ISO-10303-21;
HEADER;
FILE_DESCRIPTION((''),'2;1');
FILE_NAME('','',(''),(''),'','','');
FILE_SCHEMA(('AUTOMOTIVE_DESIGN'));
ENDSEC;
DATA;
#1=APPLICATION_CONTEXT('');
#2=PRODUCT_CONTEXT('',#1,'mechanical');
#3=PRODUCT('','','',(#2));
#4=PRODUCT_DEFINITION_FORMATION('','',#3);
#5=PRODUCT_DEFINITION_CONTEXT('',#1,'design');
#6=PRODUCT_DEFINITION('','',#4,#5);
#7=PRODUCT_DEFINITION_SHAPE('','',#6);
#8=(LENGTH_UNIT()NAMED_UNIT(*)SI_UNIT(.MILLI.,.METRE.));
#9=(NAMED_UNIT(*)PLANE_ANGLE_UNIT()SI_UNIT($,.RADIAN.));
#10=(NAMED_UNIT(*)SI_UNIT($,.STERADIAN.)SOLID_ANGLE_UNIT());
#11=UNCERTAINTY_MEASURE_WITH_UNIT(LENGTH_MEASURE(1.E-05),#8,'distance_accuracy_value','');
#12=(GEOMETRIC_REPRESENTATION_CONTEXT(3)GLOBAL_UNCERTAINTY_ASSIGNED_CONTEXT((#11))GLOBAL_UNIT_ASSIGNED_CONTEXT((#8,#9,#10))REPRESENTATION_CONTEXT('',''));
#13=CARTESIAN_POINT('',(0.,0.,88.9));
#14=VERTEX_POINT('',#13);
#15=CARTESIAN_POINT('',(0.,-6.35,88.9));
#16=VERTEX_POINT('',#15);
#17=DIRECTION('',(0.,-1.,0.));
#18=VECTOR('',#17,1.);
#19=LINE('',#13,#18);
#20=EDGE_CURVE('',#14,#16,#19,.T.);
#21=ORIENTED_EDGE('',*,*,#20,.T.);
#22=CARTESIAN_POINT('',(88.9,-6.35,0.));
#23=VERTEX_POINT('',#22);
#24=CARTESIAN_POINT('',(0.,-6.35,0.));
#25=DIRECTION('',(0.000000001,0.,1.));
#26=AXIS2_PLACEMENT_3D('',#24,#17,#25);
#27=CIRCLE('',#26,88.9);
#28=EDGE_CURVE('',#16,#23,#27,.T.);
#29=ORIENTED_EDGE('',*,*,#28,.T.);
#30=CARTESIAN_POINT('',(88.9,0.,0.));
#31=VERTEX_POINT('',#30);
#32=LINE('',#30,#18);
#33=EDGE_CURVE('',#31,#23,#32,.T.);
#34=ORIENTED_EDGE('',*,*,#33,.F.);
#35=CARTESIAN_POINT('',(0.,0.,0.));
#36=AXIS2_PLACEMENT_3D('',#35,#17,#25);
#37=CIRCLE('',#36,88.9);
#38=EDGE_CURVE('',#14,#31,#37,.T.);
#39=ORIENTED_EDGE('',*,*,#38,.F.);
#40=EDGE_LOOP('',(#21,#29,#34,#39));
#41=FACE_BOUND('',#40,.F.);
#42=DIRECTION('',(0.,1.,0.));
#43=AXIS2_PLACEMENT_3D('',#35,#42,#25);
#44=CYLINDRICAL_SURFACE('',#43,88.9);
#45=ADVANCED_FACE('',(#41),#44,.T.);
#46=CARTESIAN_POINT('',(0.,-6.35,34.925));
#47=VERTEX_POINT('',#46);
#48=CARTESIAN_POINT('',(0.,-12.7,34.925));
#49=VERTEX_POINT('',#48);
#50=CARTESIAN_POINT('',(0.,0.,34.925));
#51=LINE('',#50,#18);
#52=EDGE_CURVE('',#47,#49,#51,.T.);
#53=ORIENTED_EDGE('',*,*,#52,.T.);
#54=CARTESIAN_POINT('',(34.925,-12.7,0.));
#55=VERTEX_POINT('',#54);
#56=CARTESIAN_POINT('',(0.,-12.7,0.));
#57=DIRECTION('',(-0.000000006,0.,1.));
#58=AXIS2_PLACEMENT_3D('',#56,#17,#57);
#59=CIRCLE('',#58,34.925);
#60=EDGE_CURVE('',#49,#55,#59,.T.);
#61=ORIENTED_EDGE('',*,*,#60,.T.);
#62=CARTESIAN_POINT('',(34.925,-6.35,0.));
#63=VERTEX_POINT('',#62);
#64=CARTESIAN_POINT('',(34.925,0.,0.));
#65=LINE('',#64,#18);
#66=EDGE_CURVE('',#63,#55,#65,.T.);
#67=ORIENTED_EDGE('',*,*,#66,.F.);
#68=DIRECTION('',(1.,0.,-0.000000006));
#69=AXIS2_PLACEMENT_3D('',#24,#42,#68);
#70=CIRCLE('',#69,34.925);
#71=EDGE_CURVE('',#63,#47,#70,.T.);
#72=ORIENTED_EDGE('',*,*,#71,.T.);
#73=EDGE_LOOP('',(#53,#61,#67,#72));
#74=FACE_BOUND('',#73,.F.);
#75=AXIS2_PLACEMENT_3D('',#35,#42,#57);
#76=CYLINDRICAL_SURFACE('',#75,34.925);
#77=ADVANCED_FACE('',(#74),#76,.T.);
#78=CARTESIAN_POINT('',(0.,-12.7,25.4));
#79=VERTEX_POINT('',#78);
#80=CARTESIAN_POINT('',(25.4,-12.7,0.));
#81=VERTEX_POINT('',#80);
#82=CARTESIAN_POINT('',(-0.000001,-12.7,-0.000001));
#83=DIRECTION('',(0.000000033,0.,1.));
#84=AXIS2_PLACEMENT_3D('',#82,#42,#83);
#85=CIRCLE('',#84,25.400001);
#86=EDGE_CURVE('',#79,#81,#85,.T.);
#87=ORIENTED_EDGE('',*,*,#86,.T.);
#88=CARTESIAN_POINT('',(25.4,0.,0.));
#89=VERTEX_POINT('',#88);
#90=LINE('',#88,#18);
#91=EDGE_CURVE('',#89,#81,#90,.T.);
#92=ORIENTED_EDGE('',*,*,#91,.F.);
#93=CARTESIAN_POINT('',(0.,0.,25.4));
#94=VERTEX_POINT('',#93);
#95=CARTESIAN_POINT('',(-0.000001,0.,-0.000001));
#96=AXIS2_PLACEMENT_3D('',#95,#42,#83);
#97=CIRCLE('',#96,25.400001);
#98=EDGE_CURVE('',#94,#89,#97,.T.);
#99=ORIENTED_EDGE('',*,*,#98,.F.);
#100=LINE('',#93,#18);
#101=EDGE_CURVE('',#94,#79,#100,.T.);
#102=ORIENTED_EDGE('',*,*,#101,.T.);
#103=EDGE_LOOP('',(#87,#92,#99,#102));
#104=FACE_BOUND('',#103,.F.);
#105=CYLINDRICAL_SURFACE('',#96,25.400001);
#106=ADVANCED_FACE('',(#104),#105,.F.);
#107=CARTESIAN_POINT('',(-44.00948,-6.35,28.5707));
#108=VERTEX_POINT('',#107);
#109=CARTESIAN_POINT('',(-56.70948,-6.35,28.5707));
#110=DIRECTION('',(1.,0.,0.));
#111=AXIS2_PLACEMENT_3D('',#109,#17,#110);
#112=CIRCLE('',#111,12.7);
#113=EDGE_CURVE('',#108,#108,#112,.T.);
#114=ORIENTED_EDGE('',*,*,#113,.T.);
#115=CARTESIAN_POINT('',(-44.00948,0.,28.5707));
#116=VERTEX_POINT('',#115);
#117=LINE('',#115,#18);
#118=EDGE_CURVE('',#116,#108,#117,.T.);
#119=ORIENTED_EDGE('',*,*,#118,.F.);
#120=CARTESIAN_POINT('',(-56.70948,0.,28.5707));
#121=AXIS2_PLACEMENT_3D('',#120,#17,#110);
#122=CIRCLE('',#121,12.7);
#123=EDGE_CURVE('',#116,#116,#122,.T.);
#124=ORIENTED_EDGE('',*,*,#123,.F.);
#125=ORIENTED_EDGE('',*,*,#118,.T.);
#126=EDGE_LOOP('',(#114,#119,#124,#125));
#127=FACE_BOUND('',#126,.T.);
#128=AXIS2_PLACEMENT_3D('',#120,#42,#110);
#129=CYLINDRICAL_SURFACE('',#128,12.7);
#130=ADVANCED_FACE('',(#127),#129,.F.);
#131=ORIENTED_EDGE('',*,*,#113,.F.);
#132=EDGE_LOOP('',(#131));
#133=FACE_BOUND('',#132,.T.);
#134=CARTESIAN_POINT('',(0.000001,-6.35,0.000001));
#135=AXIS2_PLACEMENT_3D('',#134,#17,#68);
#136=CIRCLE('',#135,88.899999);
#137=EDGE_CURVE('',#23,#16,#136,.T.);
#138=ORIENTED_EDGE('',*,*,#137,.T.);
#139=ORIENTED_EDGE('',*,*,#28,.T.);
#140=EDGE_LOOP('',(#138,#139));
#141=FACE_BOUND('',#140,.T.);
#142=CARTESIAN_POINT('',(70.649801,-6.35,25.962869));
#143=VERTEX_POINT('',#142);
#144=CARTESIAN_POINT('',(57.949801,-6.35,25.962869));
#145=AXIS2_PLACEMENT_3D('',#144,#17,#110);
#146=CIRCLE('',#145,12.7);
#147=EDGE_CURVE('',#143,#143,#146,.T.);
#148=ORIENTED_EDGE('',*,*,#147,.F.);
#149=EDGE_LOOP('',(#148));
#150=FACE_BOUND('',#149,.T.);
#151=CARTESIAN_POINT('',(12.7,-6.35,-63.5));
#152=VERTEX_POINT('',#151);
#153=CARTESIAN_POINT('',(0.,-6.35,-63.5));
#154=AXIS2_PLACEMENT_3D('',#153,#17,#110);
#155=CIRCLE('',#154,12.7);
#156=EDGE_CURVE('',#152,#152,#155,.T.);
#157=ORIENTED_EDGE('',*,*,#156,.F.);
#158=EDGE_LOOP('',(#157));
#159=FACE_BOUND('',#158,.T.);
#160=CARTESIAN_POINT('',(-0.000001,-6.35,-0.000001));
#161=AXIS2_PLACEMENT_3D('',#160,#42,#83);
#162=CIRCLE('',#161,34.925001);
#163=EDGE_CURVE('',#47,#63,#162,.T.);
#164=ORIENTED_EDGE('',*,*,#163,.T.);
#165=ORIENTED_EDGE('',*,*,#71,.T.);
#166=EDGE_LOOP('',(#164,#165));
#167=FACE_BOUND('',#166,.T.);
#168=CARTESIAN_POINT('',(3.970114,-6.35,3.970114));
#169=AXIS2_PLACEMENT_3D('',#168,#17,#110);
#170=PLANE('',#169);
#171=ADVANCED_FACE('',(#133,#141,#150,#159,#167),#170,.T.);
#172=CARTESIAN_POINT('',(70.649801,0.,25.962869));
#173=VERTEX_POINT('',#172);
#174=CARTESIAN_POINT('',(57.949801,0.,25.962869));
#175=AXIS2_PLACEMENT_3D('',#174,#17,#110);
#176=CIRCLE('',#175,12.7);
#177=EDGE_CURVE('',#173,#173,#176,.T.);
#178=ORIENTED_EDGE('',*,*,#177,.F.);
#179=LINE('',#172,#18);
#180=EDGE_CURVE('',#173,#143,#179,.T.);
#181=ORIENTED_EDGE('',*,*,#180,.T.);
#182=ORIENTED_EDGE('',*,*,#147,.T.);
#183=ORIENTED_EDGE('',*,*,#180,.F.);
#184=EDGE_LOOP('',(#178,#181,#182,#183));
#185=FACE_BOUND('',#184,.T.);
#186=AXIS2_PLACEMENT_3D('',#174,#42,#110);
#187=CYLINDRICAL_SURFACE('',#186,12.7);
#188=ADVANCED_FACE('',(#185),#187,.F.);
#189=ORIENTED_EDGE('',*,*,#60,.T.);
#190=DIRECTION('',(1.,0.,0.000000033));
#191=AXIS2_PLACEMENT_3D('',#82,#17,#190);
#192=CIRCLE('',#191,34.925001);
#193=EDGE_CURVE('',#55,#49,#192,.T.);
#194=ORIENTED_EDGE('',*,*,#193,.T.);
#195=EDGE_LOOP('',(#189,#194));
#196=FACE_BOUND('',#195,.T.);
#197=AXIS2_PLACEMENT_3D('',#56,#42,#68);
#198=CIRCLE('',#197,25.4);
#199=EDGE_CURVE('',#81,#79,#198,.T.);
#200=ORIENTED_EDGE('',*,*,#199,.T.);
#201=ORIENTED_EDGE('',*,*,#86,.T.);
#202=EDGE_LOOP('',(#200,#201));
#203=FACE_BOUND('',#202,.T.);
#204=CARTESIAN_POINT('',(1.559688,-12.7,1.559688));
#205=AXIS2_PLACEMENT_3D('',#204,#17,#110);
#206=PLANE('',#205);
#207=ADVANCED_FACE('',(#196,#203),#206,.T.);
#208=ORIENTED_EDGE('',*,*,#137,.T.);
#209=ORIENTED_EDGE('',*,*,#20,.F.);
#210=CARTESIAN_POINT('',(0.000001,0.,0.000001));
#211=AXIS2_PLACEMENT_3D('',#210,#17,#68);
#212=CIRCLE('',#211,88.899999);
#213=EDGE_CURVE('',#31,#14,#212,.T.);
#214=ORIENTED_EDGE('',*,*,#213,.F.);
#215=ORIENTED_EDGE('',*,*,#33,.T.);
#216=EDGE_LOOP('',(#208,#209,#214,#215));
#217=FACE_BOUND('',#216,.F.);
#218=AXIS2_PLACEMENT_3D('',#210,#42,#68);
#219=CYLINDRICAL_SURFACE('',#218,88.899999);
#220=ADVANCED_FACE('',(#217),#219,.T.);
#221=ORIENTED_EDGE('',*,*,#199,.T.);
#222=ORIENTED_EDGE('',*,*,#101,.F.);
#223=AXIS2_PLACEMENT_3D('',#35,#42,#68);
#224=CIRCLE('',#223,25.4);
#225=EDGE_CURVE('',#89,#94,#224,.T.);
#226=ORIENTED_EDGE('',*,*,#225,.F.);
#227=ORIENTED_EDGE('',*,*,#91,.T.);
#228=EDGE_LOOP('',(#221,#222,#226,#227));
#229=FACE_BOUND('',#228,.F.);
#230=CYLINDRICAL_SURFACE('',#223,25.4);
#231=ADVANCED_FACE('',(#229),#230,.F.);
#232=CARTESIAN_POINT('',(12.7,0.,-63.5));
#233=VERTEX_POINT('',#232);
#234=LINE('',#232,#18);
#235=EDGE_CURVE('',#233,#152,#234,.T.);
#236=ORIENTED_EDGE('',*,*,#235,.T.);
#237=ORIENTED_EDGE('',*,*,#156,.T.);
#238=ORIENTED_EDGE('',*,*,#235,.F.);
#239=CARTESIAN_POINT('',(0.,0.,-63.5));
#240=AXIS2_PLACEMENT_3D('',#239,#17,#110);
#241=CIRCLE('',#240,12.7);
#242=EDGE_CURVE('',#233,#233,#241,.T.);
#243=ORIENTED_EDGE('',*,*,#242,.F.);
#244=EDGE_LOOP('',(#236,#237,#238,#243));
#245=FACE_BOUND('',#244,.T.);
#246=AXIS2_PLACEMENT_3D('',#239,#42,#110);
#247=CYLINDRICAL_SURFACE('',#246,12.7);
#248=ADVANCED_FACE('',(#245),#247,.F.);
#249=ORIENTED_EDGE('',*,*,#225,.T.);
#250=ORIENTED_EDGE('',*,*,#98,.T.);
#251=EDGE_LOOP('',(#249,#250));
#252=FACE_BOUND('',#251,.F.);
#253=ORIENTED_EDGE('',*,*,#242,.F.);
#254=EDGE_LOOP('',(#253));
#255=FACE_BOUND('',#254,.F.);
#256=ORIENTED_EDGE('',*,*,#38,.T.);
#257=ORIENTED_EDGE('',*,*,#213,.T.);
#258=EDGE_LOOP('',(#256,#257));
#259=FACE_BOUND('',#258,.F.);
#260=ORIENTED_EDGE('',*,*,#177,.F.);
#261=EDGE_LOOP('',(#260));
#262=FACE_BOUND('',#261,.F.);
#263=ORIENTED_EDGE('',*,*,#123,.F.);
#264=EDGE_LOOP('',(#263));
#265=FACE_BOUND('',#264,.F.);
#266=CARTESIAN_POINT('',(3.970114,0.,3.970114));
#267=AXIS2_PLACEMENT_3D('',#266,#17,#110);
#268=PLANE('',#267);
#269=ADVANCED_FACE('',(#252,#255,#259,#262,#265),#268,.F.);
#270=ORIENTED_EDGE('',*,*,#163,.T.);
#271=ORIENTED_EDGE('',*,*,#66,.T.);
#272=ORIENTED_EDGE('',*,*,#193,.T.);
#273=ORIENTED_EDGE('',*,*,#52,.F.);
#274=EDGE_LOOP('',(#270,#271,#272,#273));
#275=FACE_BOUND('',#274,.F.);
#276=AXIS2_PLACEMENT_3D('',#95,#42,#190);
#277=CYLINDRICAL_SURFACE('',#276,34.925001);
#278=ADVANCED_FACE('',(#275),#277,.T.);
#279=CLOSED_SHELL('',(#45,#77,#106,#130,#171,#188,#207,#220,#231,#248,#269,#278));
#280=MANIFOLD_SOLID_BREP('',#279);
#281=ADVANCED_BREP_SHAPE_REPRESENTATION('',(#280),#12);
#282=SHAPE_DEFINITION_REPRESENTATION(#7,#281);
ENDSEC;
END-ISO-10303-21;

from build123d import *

# Parameters (mm, degrees)
F0_R     = 12.7
F1_DEPTH = 6.35
F2_DEPTH = 12.7


with BuildPart() as f1:
    # F0 (on Front) → F1 (new body)
    with BuildSketch(Plane.XZ):
        with BuildLine():
            ThreePointArc((0, 88.9), (-62.861793, -62.861793), (88.9, 0))
            ThreePointArc((88.9, 0), (62.861793, 62.861793), (0, 88.9))
        make_face()
        with Locations((0, -63.5)):
            Circle(F0_R, mode=Mode.SUBTRACT)
        with Locations((-56.70948, 28.5707)):
            Circle(F0_R, mode=Mode.SUBTRACT)
        with BuildLine():
            ThreePointArc((34.925, 0), (-24.695704, -24.695704), (0, 34.925))
            ThreePointArc((0, 34.925), (24.695704, 24.695704), (34.925, 0))
        make_face(mode=Mode.SUBTRACT)
        with Locations((57.949801, 25.962869)):
            Circle(F0_R, mode=Mode.SUBTRACT)
    extrude(amount=F1_DEPTH)

    # F0 (on Front) → F2 (join)
    with BuildSketch(Plane.XZ):
        with BuildLine():
            ThreePointArc((34.925, 0), (24.695704, 24.695704), (0, 34.925))
            ThreePointArc((0, 34.925), (-24.695704, -24.695704), (34.925, 0))
        make_face()
        with BuildLine():
            ThreePointArc((25.4, 0), (-17.960512, -17.960512), (0, 25.4))
            ThreePointArc((0, 25.4), (17.960512, 17.960512), (25.4, 0))
        make_face(mode=Mode.SUBTRACT)
    extrude(amount=F2_DEPTH)


solid = f1.part
